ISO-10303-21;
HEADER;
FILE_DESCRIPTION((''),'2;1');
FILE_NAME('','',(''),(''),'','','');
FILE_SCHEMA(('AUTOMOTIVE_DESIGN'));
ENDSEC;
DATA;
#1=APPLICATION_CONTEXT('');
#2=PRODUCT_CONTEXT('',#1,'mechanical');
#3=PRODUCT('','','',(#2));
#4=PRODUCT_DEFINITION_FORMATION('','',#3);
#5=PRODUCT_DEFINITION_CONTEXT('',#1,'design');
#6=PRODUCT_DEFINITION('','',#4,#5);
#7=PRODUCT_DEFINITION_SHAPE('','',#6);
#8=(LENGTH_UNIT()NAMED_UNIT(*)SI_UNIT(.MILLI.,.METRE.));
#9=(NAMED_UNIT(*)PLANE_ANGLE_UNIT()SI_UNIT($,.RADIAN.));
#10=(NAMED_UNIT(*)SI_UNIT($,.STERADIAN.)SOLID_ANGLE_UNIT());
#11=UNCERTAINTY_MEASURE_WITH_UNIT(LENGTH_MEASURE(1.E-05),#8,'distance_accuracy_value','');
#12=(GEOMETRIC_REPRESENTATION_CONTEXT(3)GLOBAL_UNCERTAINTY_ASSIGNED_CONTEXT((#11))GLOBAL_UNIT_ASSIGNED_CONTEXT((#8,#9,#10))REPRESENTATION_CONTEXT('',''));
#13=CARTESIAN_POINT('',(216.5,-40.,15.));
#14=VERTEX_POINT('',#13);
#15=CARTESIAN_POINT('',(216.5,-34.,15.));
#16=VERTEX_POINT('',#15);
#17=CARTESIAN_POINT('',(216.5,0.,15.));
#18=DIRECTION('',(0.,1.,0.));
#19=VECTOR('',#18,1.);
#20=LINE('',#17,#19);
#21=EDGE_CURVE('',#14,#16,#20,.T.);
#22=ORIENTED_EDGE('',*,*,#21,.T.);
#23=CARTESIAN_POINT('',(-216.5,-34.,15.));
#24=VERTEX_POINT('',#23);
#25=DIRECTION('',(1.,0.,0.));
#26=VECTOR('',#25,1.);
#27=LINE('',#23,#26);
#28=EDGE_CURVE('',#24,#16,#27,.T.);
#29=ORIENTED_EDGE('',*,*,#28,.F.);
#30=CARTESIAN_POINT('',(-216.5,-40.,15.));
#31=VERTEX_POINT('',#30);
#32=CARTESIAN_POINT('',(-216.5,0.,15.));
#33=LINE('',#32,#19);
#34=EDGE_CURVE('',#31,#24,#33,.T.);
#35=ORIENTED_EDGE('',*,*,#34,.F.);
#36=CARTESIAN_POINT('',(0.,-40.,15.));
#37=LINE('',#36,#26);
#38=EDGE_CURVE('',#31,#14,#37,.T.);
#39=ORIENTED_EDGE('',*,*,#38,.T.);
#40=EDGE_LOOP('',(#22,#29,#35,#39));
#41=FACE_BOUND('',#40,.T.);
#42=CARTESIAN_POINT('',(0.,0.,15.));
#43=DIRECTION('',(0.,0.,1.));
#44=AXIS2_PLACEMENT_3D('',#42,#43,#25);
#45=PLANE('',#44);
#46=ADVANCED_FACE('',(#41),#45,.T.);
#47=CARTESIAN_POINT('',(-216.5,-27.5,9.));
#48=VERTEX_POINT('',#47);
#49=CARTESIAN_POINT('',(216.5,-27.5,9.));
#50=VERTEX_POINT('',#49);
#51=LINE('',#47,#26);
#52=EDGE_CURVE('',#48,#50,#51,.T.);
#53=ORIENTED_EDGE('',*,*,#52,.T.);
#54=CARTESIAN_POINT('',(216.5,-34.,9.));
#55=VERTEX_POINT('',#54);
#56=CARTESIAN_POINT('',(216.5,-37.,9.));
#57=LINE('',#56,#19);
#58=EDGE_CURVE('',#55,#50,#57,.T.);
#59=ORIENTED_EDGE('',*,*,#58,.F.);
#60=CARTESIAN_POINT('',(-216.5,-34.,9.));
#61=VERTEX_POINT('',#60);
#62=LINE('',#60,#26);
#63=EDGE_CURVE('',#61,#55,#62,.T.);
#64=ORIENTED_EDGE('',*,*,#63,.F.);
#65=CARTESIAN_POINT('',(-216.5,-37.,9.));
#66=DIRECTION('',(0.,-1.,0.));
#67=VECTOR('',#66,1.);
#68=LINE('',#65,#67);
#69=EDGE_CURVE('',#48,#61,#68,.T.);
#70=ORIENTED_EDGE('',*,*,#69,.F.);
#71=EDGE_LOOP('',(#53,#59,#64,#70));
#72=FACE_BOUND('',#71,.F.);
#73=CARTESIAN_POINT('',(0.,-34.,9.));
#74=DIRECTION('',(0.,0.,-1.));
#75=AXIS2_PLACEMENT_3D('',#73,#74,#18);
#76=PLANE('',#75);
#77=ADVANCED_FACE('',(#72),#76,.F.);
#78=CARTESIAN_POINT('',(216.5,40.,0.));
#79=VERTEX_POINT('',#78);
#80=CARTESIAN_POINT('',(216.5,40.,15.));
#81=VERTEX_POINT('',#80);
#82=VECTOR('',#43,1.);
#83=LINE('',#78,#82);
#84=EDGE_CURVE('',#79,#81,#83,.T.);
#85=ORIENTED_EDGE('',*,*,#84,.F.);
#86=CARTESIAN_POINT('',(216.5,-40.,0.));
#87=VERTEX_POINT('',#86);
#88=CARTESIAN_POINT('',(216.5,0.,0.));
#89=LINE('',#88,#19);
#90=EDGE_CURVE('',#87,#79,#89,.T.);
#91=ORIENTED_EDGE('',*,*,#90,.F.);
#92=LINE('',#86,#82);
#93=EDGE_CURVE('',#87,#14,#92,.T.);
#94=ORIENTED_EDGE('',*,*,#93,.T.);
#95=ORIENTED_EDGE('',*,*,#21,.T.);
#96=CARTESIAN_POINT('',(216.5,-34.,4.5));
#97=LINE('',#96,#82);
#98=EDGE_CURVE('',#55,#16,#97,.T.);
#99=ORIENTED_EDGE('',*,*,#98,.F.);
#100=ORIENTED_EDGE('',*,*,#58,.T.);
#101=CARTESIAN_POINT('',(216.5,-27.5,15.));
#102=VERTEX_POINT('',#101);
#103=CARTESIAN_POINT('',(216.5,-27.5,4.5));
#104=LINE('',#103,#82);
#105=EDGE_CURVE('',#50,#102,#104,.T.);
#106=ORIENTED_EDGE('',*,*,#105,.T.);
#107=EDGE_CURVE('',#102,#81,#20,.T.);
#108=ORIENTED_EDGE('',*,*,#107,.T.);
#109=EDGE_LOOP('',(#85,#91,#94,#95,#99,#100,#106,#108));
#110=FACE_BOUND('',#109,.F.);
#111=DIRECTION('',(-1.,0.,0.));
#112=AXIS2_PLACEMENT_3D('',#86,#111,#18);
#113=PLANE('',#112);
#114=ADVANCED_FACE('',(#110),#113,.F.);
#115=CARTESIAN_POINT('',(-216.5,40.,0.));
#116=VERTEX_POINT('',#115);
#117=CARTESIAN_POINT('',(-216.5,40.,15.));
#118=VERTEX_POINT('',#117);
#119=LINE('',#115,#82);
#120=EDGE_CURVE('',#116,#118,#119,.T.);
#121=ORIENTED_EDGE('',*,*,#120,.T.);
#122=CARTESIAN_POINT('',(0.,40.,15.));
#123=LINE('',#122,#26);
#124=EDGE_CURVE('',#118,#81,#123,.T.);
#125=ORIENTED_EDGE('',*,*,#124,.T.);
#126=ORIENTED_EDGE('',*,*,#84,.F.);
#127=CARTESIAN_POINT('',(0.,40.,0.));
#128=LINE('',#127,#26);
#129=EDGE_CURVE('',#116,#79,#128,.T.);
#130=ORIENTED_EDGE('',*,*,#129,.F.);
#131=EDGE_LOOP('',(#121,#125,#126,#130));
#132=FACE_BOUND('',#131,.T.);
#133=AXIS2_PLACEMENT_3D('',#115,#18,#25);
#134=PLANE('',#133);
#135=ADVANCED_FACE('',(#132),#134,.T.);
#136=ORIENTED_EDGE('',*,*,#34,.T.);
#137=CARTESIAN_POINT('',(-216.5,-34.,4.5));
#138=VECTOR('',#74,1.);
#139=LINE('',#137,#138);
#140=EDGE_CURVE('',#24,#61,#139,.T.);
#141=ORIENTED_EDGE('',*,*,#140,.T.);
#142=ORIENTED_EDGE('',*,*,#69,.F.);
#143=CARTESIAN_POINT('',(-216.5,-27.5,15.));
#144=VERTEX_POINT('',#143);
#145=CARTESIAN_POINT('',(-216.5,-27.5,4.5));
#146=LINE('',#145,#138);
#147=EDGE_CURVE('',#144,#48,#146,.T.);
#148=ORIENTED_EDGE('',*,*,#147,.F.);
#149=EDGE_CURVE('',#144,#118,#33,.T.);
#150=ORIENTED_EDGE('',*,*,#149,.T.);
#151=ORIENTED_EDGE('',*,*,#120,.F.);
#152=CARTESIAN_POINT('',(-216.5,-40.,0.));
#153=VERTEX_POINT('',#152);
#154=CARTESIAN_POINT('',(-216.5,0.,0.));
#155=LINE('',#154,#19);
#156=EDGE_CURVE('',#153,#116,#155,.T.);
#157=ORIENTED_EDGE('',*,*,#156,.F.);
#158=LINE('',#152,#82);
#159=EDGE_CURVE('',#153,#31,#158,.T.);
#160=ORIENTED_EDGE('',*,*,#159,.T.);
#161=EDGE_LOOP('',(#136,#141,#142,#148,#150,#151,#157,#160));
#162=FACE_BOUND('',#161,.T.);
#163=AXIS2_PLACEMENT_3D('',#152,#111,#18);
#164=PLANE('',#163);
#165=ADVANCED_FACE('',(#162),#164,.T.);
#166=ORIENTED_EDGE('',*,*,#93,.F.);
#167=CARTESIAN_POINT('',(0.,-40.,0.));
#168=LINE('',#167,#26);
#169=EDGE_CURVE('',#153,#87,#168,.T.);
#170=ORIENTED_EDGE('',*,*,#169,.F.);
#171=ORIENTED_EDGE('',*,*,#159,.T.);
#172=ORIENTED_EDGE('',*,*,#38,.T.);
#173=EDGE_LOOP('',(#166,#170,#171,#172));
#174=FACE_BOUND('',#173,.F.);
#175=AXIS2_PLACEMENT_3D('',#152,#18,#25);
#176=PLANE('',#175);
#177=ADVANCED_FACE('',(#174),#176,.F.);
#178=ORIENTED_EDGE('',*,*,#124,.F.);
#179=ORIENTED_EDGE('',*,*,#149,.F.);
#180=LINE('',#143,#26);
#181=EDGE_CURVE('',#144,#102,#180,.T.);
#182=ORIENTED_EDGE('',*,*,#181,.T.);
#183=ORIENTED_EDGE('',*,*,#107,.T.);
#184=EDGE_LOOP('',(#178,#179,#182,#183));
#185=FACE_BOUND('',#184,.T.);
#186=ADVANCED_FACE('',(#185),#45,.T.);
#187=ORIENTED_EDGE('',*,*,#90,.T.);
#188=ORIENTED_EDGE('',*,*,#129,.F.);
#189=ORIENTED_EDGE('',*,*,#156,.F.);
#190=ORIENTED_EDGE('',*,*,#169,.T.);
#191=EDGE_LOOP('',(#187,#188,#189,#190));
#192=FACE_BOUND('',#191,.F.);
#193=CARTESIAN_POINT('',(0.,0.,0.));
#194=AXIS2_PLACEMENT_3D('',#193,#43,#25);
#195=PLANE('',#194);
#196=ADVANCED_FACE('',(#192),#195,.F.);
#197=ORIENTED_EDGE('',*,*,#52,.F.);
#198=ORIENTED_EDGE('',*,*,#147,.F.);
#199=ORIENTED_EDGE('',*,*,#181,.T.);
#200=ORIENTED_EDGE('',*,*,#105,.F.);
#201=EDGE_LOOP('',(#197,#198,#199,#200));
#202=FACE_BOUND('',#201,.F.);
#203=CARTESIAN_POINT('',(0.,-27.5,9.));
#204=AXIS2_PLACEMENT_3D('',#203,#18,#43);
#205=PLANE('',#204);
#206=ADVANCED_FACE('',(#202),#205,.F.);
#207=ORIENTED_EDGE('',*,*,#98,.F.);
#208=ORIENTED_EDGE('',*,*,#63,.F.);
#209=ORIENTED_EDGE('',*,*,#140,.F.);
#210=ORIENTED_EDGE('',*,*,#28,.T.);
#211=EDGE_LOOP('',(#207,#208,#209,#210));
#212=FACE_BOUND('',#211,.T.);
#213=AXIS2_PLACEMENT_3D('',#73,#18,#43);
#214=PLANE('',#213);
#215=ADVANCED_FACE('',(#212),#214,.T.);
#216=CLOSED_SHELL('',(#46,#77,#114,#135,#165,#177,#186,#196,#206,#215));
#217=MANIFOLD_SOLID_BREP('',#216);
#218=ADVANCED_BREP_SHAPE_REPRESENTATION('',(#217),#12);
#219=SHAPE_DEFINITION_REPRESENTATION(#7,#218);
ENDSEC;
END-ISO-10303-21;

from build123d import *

# Parameters (mm, degrees)
SKETCH_W          = 433
SKETCH_H          = 80
PAD_DEPTH         = 15
SKETCH001_W       = 6.5
SKETCH001_H       = 6
POCKET_DEPTH      = 216.501
POCKET_DEPTH_BACK = -216.501


with BuildPart() as part:
    # Sketch → Pad (new body)
    with BuildSketch(Plane.XY):
        Rectangle(SKETCH_W, SKETCH_H)
    extrude(amount=PAD_DEPTH)

    # Sketch001 → Pocket (cut, two sides)
    with BuildSketch(Plane.YZ) as pocket_sk:
        with Locations((-30.75, 12)):
            Rectangle(SKETCH001_W, SKETCH001_H)
    extrude(amount=-POCKET_DEPTH, mode=Mode.SUBTRACT)
    extrude(pocket_sk.sketch, amount=-POCKET_DEPTH_BACK, mode=Mode.SUBTRACT)


solid = part.part
